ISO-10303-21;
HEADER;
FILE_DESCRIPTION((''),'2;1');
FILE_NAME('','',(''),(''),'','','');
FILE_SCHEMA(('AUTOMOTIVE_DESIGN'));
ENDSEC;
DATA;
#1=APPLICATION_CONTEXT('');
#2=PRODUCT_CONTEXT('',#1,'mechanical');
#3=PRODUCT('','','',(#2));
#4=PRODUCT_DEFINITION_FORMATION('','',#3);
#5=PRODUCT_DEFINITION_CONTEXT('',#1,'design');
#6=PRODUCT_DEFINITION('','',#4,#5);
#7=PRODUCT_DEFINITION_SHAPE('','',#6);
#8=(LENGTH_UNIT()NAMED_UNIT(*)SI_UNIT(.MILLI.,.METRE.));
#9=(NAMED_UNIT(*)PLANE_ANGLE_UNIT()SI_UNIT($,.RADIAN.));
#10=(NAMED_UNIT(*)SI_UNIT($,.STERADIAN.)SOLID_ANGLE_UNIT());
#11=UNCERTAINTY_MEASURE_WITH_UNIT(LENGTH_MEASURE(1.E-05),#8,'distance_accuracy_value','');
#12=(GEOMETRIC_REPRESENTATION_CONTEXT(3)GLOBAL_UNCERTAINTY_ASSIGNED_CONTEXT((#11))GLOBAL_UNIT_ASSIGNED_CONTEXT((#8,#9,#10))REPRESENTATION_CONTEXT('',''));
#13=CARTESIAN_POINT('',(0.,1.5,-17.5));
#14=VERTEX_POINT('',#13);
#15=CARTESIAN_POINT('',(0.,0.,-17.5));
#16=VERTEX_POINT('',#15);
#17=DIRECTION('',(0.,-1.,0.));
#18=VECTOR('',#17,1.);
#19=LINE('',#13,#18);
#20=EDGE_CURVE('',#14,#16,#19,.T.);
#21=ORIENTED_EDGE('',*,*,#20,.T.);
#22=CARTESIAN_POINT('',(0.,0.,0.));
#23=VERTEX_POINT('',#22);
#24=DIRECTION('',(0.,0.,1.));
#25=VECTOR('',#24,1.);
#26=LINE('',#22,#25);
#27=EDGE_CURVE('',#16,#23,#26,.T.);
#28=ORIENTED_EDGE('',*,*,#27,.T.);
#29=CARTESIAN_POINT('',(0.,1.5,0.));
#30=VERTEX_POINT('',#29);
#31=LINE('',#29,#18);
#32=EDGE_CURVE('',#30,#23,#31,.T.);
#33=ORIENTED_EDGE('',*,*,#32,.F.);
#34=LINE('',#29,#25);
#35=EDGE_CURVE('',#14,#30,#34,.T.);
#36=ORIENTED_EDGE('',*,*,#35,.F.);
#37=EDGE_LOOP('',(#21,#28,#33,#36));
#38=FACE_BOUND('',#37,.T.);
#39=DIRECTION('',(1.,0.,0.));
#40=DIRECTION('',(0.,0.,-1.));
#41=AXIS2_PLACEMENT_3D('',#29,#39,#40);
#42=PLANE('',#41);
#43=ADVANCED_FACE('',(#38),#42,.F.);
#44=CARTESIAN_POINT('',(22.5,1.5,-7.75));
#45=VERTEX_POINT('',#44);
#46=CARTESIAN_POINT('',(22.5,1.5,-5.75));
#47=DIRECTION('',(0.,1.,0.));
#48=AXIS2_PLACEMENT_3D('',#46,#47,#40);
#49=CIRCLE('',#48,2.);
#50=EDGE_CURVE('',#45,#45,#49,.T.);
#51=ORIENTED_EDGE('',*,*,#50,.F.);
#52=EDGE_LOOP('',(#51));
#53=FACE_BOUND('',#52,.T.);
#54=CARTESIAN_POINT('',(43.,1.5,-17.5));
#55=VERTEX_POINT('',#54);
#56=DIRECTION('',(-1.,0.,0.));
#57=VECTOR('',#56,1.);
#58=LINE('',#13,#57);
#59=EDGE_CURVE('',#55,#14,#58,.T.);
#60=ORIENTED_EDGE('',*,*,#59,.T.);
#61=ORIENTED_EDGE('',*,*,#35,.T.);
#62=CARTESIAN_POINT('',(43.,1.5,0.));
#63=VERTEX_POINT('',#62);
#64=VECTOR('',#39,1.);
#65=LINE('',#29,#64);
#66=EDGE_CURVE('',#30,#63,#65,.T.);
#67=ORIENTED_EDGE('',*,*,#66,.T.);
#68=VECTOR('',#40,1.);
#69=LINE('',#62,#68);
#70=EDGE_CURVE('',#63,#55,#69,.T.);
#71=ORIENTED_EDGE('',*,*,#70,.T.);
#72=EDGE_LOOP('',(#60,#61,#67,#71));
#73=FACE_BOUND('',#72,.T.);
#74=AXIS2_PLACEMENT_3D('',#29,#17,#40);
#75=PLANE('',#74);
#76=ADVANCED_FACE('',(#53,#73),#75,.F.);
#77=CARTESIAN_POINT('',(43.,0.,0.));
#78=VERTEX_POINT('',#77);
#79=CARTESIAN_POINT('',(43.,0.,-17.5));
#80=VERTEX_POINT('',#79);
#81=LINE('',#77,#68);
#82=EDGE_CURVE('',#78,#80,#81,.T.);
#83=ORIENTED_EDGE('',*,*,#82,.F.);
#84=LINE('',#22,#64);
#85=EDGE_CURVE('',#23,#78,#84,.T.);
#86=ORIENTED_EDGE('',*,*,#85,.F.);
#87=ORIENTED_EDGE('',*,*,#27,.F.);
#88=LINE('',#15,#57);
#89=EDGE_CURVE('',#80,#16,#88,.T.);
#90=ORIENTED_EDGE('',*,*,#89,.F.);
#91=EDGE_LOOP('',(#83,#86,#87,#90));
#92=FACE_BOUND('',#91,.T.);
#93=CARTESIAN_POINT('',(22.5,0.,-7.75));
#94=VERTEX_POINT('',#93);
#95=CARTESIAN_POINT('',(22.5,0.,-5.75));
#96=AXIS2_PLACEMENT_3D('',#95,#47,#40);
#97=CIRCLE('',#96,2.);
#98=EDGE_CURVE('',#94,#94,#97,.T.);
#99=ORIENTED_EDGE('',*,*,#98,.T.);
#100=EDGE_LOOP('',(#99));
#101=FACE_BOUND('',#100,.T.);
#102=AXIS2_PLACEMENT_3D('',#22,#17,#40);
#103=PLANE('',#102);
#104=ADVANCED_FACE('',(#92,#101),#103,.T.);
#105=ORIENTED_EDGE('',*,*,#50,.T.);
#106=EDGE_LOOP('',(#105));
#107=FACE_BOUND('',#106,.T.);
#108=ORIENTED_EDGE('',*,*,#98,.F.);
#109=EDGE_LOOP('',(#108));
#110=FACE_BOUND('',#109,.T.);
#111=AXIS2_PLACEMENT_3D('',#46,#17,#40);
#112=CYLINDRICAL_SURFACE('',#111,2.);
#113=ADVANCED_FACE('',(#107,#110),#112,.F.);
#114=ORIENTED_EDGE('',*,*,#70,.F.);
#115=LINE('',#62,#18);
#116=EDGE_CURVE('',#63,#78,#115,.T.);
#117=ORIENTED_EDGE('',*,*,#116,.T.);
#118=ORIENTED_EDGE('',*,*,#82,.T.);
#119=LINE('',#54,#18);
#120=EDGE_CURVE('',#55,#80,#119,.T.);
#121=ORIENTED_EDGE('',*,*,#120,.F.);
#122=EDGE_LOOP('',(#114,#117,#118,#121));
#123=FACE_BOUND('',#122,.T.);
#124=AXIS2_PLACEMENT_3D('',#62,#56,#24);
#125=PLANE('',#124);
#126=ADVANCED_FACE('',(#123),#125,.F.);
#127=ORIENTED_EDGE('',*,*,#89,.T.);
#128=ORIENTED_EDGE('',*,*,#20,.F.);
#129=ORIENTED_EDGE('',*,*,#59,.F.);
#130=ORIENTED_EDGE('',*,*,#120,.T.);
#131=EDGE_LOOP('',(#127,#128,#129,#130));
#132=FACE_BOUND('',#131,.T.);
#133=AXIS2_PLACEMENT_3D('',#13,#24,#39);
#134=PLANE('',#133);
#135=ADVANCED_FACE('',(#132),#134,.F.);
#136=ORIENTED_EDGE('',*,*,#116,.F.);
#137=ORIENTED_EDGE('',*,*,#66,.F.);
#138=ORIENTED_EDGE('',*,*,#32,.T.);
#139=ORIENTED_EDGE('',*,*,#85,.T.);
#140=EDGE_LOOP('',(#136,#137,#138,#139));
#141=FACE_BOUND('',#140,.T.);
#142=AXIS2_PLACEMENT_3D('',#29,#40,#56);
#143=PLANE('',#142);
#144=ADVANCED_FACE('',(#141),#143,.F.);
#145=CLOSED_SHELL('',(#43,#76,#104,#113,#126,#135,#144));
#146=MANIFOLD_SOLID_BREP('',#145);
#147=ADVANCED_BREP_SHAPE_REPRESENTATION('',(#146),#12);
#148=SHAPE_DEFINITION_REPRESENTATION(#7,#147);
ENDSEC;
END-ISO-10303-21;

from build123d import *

# Parameters (mm, degrees)
SKETCH_1_W      = 43
SKETCH_1_H      = 17.5
SKETCH_1_R      = 2
EXTRUDE_1_DEPTH = 1.5


with BuildPart() as part:
    # Эскиз1 → Бобышка-Вытянуть1 (new body)
    with BuildSketch(Plane(origin=(0, 0, 0), x_dir=(1, 0, 0), z_dir=(0, 1, 0))):
        with Locations((21.5, 8.75)):
            Rectangle(SKETCH_1_W, SKETCH_1_H)
        with Locations((22.5, 5.75)):
            Circle(SKETCH_1_R, mode=Mode.SUBTRACT)
    extrude(amount=EXTRUDE_1_DEPTH)


solid = part.part
